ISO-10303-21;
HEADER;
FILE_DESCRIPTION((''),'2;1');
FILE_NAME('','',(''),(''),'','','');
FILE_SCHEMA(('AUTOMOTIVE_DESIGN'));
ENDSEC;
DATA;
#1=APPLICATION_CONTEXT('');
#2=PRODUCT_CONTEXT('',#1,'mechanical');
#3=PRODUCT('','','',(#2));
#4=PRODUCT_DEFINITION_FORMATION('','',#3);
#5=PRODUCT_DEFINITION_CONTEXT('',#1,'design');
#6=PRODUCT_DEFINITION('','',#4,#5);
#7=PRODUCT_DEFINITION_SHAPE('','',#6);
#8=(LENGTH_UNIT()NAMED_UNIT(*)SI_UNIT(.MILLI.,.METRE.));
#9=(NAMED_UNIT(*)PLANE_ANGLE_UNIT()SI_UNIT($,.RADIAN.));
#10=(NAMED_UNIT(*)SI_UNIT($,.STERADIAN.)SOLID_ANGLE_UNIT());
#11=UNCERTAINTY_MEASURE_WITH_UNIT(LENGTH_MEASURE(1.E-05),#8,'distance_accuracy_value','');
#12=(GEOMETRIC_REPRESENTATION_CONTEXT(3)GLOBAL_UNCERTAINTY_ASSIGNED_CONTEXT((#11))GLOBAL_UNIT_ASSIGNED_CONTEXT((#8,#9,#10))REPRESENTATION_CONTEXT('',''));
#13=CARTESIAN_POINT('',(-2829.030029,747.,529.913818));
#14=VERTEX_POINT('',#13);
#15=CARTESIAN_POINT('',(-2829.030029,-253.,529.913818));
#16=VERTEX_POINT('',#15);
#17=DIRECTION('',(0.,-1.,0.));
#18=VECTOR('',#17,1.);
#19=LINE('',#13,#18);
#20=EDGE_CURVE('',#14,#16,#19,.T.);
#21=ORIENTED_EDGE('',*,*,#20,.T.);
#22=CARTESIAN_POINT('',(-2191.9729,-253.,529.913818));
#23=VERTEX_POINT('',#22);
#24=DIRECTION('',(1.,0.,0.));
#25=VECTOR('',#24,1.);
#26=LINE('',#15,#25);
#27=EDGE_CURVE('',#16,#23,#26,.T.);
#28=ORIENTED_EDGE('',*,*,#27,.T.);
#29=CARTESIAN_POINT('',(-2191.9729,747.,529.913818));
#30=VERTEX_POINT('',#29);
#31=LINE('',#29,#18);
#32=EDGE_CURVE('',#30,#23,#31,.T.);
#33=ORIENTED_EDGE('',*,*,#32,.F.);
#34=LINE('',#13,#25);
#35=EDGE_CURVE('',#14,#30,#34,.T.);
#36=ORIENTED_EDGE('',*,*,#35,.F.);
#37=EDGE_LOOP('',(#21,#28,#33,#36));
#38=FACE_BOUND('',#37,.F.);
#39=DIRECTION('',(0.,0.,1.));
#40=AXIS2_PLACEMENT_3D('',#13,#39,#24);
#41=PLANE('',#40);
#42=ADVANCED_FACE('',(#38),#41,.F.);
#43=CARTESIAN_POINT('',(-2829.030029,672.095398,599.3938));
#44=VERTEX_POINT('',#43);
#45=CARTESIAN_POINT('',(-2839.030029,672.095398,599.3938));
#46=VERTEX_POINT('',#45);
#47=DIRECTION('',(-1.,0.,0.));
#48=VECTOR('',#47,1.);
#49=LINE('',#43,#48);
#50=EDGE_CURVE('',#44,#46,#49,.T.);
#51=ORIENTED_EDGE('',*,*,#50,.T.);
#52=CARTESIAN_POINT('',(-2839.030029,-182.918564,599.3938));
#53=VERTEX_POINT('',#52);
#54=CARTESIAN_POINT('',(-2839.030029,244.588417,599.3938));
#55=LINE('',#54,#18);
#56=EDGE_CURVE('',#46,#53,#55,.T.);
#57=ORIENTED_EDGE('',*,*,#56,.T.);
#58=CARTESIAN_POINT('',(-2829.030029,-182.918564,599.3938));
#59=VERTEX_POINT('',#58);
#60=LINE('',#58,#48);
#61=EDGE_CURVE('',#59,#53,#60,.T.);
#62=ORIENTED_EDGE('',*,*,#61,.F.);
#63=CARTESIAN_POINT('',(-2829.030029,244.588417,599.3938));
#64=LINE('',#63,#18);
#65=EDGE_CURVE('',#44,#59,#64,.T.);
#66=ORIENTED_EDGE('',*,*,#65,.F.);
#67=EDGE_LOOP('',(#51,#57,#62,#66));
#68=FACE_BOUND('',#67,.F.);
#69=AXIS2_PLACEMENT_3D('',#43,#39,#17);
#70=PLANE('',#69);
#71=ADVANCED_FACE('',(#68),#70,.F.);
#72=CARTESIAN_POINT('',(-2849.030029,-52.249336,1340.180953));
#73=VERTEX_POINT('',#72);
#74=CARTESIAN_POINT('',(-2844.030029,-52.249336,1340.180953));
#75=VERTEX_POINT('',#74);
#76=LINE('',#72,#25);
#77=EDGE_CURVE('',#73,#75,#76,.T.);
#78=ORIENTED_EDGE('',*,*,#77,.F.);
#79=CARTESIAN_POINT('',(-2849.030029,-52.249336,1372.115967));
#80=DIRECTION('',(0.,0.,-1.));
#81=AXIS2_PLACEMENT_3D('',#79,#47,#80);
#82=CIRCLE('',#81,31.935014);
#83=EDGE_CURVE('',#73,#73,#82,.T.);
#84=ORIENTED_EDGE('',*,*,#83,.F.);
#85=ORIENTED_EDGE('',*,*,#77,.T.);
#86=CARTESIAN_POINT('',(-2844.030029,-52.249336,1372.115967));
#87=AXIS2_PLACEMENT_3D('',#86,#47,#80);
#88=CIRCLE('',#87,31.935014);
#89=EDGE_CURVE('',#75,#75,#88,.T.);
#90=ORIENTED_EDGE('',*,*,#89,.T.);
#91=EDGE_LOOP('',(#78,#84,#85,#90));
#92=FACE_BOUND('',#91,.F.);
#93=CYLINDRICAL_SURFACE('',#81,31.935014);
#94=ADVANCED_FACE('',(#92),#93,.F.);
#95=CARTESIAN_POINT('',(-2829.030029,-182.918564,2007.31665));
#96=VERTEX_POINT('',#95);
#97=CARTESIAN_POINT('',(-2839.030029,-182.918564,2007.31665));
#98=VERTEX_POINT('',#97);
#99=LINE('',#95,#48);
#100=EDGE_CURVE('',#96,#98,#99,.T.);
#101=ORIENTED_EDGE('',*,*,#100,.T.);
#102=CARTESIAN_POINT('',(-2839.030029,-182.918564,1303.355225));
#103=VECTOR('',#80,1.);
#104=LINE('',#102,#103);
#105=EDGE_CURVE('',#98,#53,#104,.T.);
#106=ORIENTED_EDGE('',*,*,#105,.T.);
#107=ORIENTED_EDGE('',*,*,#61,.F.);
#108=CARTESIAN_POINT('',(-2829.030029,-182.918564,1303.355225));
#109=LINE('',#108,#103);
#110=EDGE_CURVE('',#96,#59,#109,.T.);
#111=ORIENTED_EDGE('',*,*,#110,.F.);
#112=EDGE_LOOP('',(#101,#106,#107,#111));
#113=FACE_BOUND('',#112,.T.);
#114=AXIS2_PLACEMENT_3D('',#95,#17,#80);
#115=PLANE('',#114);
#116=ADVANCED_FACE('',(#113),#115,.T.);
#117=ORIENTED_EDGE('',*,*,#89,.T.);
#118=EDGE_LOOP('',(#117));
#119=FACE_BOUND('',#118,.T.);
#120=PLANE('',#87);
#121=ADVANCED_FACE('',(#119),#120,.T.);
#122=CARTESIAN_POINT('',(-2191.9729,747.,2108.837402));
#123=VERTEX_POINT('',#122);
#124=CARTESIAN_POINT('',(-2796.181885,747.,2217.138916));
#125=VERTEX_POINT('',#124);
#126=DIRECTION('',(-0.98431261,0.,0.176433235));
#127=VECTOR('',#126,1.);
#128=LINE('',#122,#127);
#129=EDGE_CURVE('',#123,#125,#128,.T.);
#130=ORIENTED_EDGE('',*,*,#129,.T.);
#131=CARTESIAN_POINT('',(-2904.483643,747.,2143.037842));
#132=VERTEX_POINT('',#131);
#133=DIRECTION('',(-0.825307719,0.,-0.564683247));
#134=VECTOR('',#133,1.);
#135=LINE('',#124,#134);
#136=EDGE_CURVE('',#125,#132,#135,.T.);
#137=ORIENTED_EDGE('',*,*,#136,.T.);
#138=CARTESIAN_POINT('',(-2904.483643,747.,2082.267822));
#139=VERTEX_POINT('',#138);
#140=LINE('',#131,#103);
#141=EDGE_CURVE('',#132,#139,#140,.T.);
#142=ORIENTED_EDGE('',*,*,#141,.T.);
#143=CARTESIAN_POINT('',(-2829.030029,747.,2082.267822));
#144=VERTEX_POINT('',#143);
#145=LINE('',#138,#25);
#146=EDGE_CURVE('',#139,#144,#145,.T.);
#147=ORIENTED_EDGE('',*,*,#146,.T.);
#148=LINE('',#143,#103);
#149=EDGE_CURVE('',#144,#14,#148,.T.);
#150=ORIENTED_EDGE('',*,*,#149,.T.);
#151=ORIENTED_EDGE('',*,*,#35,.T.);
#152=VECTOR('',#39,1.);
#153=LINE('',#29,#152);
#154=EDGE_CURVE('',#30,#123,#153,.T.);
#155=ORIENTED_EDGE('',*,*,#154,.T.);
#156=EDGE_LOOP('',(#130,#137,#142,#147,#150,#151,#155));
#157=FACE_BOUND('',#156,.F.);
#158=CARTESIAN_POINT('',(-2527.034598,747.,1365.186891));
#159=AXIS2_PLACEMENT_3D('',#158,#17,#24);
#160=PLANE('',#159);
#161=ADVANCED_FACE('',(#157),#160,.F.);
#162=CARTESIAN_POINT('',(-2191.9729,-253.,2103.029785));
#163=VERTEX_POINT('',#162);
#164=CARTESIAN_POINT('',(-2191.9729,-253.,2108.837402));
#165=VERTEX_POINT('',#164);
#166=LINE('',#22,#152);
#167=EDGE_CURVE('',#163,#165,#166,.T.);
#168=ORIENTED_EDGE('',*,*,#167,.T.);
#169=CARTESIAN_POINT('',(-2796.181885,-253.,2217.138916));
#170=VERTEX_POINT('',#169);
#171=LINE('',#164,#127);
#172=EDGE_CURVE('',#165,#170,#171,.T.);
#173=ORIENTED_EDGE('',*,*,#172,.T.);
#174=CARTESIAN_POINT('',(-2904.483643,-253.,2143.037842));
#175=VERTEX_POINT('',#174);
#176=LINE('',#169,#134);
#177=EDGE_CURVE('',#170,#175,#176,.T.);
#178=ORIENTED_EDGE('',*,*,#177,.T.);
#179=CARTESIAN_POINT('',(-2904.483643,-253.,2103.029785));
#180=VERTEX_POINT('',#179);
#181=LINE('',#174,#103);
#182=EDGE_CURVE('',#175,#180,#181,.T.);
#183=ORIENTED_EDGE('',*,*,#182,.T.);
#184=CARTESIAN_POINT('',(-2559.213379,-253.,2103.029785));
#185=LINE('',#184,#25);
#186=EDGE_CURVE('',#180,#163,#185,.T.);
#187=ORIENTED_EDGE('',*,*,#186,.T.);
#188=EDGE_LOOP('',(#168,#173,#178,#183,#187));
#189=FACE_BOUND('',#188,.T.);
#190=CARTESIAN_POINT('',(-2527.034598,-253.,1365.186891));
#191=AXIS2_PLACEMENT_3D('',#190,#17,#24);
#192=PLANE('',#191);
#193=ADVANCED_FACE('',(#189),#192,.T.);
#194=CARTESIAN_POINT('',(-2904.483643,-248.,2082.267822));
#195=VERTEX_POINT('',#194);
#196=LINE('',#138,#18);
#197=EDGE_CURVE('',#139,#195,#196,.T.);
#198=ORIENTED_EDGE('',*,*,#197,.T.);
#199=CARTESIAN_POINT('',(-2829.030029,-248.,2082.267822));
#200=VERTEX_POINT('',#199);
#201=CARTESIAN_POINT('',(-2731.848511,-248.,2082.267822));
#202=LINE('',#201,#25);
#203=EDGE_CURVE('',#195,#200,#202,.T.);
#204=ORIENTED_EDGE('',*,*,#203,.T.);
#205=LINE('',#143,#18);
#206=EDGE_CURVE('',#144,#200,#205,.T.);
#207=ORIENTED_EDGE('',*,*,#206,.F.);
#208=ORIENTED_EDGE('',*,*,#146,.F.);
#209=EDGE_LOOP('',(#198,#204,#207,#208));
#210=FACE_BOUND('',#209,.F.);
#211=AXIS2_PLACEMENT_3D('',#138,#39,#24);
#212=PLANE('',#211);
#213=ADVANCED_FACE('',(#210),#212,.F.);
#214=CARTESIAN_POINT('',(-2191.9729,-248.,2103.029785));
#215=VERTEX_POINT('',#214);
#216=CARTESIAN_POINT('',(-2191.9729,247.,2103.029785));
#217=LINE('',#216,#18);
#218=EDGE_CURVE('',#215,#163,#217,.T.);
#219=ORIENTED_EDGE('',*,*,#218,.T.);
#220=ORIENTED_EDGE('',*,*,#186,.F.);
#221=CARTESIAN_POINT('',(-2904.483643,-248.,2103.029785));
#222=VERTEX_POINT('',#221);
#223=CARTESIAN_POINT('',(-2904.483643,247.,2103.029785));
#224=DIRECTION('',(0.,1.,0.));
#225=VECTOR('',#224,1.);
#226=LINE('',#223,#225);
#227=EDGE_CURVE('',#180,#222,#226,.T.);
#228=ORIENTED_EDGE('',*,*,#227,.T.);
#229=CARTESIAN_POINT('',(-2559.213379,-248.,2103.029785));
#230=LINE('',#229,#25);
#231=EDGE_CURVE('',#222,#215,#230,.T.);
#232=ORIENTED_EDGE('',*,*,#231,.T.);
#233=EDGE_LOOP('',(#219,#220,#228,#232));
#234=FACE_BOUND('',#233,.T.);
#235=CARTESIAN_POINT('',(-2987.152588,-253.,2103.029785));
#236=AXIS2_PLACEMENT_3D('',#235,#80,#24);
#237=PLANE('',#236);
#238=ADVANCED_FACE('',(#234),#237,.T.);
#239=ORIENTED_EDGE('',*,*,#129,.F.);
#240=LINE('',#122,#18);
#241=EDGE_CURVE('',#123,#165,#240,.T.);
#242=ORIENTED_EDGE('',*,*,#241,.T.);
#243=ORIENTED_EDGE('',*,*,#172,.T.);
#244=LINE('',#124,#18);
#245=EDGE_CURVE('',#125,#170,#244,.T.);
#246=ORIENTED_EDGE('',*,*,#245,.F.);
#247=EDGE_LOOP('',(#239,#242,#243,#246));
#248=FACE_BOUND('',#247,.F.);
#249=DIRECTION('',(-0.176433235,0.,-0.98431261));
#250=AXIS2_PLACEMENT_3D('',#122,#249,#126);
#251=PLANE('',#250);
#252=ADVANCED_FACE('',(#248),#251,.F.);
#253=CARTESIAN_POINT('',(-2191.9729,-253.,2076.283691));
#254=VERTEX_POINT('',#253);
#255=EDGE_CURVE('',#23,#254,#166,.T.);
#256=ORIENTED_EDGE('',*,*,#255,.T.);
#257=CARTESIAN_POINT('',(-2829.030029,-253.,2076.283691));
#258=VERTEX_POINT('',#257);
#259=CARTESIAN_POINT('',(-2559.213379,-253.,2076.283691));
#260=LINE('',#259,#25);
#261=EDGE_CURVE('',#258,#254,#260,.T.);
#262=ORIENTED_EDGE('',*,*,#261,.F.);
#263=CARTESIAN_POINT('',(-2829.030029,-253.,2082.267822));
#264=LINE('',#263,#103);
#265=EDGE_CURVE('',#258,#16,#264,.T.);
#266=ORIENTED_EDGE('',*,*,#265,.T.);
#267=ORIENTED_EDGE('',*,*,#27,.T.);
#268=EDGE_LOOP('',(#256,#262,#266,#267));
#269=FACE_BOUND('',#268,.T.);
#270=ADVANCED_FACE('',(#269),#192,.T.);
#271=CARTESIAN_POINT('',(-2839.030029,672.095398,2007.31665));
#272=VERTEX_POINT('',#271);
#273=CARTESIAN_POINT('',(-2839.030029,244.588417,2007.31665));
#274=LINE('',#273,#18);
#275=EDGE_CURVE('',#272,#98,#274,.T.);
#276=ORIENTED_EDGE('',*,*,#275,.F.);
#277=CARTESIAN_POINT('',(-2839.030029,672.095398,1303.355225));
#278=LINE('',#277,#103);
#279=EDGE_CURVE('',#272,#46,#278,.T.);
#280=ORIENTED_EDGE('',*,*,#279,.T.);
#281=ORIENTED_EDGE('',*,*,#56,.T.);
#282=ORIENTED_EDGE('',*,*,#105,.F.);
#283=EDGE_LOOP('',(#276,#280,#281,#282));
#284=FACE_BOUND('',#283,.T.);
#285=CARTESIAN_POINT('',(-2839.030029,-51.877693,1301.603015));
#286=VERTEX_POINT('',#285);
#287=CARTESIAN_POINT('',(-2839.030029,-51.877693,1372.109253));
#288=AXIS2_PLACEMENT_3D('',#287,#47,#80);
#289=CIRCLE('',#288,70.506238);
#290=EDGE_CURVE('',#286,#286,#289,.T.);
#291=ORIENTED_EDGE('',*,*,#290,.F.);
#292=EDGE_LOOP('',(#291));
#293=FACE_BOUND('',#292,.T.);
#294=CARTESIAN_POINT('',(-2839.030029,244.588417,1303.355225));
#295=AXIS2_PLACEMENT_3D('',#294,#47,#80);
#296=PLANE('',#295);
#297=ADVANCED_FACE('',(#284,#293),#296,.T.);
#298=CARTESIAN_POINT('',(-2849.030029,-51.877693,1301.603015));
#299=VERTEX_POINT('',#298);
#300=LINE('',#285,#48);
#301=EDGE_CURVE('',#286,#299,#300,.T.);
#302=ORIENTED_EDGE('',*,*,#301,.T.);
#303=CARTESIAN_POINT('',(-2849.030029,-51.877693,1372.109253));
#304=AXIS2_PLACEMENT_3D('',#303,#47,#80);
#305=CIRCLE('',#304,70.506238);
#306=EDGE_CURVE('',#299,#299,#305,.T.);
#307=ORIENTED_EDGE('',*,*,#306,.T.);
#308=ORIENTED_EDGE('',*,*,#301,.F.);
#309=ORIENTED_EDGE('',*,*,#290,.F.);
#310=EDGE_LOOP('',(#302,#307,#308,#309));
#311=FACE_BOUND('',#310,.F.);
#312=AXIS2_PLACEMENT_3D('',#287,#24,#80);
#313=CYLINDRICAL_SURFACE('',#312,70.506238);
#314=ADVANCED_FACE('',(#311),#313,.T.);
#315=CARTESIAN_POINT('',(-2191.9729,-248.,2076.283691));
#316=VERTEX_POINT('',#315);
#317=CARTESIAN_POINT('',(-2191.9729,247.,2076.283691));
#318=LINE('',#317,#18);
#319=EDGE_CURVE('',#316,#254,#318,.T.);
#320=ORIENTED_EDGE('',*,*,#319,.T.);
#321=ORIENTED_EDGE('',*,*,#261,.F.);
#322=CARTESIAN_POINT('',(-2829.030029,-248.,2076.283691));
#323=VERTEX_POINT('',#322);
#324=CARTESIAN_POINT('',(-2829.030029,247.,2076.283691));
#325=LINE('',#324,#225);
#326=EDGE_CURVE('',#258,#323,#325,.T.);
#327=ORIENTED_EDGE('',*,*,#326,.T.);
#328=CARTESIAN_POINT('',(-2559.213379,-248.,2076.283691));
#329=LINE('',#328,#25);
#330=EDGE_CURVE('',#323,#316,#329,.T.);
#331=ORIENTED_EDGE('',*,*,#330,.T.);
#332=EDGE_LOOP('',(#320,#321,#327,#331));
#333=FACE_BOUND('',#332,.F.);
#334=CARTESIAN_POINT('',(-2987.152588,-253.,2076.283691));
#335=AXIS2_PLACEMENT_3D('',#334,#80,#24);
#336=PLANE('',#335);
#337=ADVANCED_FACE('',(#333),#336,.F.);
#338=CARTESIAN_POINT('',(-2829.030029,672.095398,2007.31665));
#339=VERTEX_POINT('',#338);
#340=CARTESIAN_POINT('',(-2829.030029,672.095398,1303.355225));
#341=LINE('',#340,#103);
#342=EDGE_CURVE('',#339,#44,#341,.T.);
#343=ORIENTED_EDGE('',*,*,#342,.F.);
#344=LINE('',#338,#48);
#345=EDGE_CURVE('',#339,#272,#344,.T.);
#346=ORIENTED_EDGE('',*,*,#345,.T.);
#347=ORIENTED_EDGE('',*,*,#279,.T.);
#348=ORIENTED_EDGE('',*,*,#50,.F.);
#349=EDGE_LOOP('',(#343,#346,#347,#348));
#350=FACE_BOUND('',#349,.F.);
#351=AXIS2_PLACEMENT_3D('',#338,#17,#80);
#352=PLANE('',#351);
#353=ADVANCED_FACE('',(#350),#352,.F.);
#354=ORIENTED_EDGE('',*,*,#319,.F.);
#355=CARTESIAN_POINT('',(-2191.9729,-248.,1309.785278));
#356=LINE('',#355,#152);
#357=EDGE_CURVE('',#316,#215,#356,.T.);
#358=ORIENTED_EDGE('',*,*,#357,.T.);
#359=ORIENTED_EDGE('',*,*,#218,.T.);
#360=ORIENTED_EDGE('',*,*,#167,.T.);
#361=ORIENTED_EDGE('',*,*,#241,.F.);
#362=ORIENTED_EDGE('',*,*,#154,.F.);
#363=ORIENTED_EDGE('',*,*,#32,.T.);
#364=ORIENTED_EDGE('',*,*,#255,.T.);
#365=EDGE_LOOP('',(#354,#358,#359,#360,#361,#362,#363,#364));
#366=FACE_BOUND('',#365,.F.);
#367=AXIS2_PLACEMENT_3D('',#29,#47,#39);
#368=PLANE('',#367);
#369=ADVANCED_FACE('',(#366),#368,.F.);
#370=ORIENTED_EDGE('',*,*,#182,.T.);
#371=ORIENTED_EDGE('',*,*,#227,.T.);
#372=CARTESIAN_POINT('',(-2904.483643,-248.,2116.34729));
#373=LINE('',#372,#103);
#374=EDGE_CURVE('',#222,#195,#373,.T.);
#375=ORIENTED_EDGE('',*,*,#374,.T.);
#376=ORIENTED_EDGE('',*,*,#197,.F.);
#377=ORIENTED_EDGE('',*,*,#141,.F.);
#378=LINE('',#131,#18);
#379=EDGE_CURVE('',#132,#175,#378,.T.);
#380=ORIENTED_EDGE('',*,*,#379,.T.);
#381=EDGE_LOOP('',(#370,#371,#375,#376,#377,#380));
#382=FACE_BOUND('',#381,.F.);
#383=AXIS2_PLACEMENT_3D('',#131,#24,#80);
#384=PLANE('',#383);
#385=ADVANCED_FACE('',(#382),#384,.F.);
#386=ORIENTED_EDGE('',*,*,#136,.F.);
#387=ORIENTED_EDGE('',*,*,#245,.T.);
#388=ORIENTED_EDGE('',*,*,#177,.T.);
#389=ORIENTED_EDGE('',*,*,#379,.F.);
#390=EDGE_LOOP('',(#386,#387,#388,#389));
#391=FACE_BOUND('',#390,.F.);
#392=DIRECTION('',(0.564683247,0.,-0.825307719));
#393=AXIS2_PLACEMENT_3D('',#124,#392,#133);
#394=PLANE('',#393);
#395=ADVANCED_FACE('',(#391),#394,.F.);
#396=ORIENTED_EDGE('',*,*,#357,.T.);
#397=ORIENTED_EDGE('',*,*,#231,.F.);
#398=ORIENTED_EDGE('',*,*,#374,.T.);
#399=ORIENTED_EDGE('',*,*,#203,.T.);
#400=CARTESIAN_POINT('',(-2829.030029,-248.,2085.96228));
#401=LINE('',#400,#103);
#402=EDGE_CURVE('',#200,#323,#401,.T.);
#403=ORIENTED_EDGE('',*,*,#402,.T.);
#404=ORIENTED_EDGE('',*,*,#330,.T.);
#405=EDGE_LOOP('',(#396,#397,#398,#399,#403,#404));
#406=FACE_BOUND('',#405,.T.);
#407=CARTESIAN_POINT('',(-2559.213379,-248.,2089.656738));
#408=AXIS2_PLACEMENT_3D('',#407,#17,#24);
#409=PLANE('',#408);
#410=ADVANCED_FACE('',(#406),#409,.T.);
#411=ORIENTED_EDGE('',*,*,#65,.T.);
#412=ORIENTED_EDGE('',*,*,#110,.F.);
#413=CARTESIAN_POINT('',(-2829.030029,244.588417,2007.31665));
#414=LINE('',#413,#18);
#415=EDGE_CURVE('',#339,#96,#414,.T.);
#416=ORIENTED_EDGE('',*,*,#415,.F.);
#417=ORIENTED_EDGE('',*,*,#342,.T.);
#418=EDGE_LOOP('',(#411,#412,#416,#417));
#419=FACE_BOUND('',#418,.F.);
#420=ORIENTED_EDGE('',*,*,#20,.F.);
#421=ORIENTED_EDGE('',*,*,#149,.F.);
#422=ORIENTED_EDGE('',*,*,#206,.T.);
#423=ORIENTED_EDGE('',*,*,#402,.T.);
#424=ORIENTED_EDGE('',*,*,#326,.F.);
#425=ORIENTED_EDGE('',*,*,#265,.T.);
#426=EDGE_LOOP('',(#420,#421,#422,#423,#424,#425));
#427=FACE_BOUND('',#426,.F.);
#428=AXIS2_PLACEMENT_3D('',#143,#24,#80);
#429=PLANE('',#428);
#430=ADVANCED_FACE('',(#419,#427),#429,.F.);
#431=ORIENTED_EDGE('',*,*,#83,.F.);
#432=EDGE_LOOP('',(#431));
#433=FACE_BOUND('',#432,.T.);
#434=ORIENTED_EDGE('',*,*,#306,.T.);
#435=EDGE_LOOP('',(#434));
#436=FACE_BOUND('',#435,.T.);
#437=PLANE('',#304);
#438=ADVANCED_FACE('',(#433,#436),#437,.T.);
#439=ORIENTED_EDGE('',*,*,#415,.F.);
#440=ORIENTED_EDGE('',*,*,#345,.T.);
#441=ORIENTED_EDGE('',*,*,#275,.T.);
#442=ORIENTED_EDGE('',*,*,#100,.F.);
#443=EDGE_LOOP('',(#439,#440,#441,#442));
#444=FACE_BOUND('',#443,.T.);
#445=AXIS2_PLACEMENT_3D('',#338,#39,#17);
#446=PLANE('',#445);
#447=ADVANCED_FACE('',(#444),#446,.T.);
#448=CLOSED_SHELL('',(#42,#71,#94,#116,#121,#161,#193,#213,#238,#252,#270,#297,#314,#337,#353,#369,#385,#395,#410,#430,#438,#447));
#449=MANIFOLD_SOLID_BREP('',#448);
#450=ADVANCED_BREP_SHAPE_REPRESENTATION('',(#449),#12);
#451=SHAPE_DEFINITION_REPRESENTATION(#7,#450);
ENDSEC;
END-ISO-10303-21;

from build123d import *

# Parameters (mm, degrees)
PAD022_DEPTH    = 1000
SKETCH031_W     = 855.878418
SKETCH031_H     = 26.746094
POCKET007_DEPTH = 5
SKETCH033_W     = 1407.922851
SKETCH033_H     = 855.013962
PAD024_DEPTH    = 10
SKETCH034_R     = 70.506238
PAD025_DEPTH    = 10
SKETCH035_R     = 31.935014
POCKET008_DEPTH = 5


with BuildPart() as part:
    # Sketch029 → Pad022 (new body)
    with BuildSketch(Plane.XZ):
        Polygon((-2829.030029, 2082.267822), (-2829.030029, 529.913818), (-2191.9729, 529.913818), (-2191.9729, 2108.837402), (-2796.181885, 2217.138916), (-2904.483643, 2143.037842), (-2904.483643, 2082.267822), align=None)
    extrude(amount=PAD022_DEPTH)

    # Sketch031 (on Face9 of Pad022) → Pocket007 (cut)
    with BuildSketch(Plane.XZ.offset(1000)):
        with Locations((-2559.213379, 2089.656738)):
            Rectangle(SKETCH031_W, SKETCH031_H)
    extrude(amount=-POCKET007_DEPTH, mode=Mode.SUBTRACT)

    # Sketch033 (on Face1 of Pocket007) → Pad024 (join)
    with BuildSketch(Plane(origin=(-2829.030029, 0, 0), x_dir=(0, 0, -1), z_dir=(-1, 0, 0))):
        with Locations((-1303.355225, 502.411583)):
            Rectangle(SKETCH033_W, SKETCH033_H)
    extrude(amount=PAD024_DEPTH)

    # Sketch034 (on Face17 of Pad024) → Pad025 (join)
    with BuildSketch(Plane(origin=(-2839.030029, 0, 0), x_dir=(0, 0, -1), z_dir=(-1, 0, 0))):
        with Locations((-1372.109253, 798.877693)):
            Circle(SKETCH034_R)
    extrude(amount=PAD025_DEPTH)

    # Sketch035 (on Face20 of Pad025) → Pocket008 (cut)
    with BuildSketch(Plane(origin=(-2849.030029, 0, 0), x_dir=(0, 0, -1), z_dir=(-1, 0, 0))):
        with Locations((-1372.115967, 799.249336)):
            Circle(SKETCH035_R)
    extrude(amount=-POCKET008_DEPTH, mode=Mode.SUBTRACT)


with BuildPart() as part_1:
    # Body018 placement: moved
    add(part.part.moved(Location((0, 747, 0))))


solid = part_1.part
